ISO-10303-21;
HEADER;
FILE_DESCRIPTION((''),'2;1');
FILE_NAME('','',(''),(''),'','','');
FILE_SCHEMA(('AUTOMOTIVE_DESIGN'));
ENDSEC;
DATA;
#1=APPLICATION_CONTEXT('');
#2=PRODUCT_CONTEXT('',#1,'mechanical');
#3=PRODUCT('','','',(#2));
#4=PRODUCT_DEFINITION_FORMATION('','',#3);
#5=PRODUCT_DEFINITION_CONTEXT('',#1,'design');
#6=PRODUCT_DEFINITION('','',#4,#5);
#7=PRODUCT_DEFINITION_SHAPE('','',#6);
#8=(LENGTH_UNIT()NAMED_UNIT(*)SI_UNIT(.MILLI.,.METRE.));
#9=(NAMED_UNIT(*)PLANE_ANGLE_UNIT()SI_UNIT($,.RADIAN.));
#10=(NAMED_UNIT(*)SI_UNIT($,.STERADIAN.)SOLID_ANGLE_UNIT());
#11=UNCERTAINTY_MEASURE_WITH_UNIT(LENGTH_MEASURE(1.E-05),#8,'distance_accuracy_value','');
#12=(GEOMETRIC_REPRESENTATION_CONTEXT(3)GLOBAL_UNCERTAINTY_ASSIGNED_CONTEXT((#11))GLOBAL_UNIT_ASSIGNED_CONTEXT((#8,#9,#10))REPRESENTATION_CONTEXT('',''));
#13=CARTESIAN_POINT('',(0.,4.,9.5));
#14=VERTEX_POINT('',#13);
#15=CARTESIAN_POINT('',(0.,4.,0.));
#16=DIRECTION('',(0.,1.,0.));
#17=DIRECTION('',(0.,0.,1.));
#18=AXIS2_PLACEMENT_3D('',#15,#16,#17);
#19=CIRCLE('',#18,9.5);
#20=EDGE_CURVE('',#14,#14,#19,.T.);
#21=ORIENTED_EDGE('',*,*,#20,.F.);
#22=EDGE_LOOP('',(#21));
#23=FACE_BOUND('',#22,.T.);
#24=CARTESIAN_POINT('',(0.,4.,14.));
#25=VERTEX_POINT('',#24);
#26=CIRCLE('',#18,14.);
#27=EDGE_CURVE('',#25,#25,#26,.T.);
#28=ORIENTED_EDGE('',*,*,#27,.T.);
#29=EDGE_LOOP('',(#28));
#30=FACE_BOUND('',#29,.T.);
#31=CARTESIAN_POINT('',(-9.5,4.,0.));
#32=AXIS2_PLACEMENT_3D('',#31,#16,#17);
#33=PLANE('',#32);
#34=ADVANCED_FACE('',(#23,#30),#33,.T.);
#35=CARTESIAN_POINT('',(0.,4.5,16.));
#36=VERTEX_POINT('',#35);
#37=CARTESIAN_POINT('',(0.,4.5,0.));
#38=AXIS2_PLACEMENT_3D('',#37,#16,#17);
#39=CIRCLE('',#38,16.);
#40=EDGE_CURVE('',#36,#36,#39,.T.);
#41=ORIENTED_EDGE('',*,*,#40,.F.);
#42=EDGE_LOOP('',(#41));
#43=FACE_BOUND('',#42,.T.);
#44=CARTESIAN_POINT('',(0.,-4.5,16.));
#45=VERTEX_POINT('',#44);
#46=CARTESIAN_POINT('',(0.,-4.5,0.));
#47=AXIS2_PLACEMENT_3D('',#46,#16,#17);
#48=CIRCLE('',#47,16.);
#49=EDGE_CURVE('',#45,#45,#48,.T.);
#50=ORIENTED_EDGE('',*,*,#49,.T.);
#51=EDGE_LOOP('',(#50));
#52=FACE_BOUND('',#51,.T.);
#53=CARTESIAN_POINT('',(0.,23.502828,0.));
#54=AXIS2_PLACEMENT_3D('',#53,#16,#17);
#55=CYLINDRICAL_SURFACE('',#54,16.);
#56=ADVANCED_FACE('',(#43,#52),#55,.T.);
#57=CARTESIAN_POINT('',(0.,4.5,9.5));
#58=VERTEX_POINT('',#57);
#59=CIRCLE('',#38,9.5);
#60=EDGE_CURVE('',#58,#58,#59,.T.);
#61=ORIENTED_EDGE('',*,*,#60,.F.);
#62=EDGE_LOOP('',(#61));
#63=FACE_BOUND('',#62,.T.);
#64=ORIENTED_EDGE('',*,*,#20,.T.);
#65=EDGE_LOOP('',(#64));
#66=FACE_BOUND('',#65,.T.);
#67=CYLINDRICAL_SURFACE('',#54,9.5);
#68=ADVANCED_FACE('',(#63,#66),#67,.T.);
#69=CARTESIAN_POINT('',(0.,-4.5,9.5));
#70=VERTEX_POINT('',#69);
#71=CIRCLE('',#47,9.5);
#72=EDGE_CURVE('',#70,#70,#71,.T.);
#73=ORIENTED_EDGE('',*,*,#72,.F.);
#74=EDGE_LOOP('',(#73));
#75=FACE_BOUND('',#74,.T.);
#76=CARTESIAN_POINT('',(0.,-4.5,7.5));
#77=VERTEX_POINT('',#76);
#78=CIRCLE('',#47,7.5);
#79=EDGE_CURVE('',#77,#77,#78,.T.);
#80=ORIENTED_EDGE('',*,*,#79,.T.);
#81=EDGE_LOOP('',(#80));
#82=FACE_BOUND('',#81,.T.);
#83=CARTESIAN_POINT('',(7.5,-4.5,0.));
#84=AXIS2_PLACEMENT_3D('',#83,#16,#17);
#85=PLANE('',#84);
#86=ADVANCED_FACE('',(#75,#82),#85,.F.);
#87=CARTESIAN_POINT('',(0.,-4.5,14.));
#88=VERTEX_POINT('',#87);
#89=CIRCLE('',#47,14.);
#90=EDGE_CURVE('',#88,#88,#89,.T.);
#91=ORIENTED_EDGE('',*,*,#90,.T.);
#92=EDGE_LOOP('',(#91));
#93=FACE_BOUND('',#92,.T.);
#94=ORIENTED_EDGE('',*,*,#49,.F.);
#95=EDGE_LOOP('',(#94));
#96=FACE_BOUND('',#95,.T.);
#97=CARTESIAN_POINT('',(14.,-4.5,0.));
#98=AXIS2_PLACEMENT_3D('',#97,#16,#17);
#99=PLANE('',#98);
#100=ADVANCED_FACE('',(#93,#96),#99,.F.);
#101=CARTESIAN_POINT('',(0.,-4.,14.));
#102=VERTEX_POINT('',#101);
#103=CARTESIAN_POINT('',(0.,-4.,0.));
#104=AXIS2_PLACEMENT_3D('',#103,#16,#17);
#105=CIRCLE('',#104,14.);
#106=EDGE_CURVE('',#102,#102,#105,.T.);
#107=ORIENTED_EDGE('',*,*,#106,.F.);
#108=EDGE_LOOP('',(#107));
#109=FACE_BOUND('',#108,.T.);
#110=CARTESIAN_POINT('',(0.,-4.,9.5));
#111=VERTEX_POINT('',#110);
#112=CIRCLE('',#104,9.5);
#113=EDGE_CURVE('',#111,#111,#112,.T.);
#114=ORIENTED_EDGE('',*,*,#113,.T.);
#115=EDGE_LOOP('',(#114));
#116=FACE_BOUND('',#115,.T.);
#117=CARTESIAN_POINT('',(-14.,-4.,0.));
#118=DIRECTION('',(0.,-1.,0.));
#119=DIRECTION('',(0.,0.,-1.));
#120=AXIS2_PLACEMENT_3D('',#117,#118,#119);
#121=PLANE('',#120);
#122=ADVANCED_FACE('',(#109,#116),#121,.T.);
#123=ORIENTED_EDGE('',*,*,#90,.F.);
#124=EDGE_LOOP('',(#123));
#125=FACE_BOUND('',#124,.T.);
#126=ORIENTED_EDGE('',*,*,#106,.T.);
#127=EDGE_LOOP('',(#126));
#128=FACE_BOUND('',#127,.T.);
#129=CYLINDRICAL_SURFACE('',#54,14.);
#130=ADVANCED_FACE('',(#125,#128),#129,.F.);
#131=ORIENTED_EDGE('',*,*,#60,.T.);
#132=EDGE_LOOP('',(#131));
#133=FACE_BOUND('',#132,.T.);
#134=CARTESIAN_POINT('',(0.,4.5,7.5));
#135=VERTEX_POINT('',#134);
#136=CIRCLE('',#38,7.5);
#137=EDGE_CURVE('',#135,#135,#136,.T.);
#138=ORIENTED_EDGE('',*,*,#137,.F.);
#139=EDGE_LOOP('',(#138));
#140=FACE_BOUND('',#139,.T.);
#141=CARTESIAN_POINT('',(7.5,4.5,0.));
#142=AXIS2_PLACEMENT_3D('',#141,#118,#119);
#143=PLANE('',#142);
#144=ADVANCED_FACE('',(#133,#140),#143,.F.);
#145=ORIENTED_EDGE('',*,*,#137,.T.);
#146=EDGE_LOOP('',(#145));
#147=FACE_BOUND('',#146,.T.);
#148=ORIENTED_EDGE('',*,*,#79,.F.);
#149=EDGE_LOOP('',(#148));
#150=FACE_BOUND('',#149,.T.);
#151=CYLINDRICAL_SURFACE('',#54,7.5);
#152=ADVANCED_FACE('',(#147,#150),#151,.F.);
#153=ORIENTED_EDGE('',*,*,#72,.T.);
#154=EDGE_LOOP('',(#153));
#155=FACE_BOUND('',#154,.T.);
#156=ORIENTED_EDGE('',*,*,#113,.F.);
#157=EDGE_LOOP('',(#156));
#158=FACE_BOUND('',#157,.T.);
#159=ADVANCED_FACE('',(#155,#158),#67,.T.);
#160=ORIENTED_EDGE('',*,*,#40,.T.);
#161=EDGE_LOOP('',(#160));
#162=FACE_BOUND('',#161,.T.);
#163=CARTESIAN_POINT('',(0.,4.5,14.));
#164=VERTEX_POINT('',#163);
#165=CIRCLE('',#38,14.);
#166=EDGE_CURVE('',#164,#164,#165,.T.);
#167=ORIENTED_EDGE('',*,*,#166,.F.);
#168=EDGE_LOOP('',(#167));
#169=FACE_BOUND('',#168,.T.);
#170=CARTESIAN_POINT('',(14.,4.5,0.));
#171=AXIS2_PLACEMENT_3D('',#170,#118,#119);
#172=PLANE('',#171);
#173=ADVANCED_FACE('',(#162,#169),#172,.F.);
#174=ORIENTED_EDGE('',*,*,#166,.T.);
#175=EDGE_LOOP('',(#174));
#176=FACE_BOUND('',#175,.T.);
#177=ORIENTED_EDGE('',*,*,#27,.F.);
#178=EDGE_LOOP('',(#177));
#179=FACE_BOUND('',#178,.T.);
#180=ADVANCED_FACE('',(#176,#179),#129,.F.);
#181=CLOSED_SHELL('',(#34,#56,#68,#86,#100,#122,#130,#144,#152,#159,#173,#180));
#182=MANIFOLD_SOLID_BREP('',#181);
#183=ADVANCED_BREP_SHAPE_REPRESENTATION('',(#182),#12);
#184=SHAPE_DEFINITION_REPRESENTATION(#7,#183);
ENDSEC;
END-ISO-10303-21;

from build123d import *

# Parameters (mm, degrees)
ESBO_O1_W = 2
ESBO_O1_H = 9
ESBO_O2_W = 4.5
ESBO_O2_H = 8


with BuildPart() as part:
    # Esboço1 → Revolução1 (revolve)
    with BuildSketch(Plane.XY, mode=Mode.PRIVATE) as revolu_o1_sk:
        with Locations((8.5, 0)):
            Rectangle(ESBO_O1_W, ESBO_O1_H)
        with Locations((15, 0)):
            Rectangle(ESBO_O1_W, ESBO_O1_H)
    revolve(revolu_o1_sk.sketch.rotate(Axis((0, 23.502828235, 0), (0, -1, 0)), 90), axis=Axis((0, 23.502828235, 0), (0, -1, 0)))

    # Esboço2 → Revolução2 (revolve)
    with BuildSketch(Plane.XY, mode=Mode.PRIVATE) as revolu_o2_sk:
        with Locations((-11.75, 0)):
            Rectangle(ESBO_O2_W, ESBO_O2_H)
    revolve(revolu_o2_sk.sketch.rotate(Axis((0, 7.620347907, 0), (0, -1, 0)), 270), axis=Axis((0, 7.620347907, 0), (0, -1, 0)))


solid = part.part
